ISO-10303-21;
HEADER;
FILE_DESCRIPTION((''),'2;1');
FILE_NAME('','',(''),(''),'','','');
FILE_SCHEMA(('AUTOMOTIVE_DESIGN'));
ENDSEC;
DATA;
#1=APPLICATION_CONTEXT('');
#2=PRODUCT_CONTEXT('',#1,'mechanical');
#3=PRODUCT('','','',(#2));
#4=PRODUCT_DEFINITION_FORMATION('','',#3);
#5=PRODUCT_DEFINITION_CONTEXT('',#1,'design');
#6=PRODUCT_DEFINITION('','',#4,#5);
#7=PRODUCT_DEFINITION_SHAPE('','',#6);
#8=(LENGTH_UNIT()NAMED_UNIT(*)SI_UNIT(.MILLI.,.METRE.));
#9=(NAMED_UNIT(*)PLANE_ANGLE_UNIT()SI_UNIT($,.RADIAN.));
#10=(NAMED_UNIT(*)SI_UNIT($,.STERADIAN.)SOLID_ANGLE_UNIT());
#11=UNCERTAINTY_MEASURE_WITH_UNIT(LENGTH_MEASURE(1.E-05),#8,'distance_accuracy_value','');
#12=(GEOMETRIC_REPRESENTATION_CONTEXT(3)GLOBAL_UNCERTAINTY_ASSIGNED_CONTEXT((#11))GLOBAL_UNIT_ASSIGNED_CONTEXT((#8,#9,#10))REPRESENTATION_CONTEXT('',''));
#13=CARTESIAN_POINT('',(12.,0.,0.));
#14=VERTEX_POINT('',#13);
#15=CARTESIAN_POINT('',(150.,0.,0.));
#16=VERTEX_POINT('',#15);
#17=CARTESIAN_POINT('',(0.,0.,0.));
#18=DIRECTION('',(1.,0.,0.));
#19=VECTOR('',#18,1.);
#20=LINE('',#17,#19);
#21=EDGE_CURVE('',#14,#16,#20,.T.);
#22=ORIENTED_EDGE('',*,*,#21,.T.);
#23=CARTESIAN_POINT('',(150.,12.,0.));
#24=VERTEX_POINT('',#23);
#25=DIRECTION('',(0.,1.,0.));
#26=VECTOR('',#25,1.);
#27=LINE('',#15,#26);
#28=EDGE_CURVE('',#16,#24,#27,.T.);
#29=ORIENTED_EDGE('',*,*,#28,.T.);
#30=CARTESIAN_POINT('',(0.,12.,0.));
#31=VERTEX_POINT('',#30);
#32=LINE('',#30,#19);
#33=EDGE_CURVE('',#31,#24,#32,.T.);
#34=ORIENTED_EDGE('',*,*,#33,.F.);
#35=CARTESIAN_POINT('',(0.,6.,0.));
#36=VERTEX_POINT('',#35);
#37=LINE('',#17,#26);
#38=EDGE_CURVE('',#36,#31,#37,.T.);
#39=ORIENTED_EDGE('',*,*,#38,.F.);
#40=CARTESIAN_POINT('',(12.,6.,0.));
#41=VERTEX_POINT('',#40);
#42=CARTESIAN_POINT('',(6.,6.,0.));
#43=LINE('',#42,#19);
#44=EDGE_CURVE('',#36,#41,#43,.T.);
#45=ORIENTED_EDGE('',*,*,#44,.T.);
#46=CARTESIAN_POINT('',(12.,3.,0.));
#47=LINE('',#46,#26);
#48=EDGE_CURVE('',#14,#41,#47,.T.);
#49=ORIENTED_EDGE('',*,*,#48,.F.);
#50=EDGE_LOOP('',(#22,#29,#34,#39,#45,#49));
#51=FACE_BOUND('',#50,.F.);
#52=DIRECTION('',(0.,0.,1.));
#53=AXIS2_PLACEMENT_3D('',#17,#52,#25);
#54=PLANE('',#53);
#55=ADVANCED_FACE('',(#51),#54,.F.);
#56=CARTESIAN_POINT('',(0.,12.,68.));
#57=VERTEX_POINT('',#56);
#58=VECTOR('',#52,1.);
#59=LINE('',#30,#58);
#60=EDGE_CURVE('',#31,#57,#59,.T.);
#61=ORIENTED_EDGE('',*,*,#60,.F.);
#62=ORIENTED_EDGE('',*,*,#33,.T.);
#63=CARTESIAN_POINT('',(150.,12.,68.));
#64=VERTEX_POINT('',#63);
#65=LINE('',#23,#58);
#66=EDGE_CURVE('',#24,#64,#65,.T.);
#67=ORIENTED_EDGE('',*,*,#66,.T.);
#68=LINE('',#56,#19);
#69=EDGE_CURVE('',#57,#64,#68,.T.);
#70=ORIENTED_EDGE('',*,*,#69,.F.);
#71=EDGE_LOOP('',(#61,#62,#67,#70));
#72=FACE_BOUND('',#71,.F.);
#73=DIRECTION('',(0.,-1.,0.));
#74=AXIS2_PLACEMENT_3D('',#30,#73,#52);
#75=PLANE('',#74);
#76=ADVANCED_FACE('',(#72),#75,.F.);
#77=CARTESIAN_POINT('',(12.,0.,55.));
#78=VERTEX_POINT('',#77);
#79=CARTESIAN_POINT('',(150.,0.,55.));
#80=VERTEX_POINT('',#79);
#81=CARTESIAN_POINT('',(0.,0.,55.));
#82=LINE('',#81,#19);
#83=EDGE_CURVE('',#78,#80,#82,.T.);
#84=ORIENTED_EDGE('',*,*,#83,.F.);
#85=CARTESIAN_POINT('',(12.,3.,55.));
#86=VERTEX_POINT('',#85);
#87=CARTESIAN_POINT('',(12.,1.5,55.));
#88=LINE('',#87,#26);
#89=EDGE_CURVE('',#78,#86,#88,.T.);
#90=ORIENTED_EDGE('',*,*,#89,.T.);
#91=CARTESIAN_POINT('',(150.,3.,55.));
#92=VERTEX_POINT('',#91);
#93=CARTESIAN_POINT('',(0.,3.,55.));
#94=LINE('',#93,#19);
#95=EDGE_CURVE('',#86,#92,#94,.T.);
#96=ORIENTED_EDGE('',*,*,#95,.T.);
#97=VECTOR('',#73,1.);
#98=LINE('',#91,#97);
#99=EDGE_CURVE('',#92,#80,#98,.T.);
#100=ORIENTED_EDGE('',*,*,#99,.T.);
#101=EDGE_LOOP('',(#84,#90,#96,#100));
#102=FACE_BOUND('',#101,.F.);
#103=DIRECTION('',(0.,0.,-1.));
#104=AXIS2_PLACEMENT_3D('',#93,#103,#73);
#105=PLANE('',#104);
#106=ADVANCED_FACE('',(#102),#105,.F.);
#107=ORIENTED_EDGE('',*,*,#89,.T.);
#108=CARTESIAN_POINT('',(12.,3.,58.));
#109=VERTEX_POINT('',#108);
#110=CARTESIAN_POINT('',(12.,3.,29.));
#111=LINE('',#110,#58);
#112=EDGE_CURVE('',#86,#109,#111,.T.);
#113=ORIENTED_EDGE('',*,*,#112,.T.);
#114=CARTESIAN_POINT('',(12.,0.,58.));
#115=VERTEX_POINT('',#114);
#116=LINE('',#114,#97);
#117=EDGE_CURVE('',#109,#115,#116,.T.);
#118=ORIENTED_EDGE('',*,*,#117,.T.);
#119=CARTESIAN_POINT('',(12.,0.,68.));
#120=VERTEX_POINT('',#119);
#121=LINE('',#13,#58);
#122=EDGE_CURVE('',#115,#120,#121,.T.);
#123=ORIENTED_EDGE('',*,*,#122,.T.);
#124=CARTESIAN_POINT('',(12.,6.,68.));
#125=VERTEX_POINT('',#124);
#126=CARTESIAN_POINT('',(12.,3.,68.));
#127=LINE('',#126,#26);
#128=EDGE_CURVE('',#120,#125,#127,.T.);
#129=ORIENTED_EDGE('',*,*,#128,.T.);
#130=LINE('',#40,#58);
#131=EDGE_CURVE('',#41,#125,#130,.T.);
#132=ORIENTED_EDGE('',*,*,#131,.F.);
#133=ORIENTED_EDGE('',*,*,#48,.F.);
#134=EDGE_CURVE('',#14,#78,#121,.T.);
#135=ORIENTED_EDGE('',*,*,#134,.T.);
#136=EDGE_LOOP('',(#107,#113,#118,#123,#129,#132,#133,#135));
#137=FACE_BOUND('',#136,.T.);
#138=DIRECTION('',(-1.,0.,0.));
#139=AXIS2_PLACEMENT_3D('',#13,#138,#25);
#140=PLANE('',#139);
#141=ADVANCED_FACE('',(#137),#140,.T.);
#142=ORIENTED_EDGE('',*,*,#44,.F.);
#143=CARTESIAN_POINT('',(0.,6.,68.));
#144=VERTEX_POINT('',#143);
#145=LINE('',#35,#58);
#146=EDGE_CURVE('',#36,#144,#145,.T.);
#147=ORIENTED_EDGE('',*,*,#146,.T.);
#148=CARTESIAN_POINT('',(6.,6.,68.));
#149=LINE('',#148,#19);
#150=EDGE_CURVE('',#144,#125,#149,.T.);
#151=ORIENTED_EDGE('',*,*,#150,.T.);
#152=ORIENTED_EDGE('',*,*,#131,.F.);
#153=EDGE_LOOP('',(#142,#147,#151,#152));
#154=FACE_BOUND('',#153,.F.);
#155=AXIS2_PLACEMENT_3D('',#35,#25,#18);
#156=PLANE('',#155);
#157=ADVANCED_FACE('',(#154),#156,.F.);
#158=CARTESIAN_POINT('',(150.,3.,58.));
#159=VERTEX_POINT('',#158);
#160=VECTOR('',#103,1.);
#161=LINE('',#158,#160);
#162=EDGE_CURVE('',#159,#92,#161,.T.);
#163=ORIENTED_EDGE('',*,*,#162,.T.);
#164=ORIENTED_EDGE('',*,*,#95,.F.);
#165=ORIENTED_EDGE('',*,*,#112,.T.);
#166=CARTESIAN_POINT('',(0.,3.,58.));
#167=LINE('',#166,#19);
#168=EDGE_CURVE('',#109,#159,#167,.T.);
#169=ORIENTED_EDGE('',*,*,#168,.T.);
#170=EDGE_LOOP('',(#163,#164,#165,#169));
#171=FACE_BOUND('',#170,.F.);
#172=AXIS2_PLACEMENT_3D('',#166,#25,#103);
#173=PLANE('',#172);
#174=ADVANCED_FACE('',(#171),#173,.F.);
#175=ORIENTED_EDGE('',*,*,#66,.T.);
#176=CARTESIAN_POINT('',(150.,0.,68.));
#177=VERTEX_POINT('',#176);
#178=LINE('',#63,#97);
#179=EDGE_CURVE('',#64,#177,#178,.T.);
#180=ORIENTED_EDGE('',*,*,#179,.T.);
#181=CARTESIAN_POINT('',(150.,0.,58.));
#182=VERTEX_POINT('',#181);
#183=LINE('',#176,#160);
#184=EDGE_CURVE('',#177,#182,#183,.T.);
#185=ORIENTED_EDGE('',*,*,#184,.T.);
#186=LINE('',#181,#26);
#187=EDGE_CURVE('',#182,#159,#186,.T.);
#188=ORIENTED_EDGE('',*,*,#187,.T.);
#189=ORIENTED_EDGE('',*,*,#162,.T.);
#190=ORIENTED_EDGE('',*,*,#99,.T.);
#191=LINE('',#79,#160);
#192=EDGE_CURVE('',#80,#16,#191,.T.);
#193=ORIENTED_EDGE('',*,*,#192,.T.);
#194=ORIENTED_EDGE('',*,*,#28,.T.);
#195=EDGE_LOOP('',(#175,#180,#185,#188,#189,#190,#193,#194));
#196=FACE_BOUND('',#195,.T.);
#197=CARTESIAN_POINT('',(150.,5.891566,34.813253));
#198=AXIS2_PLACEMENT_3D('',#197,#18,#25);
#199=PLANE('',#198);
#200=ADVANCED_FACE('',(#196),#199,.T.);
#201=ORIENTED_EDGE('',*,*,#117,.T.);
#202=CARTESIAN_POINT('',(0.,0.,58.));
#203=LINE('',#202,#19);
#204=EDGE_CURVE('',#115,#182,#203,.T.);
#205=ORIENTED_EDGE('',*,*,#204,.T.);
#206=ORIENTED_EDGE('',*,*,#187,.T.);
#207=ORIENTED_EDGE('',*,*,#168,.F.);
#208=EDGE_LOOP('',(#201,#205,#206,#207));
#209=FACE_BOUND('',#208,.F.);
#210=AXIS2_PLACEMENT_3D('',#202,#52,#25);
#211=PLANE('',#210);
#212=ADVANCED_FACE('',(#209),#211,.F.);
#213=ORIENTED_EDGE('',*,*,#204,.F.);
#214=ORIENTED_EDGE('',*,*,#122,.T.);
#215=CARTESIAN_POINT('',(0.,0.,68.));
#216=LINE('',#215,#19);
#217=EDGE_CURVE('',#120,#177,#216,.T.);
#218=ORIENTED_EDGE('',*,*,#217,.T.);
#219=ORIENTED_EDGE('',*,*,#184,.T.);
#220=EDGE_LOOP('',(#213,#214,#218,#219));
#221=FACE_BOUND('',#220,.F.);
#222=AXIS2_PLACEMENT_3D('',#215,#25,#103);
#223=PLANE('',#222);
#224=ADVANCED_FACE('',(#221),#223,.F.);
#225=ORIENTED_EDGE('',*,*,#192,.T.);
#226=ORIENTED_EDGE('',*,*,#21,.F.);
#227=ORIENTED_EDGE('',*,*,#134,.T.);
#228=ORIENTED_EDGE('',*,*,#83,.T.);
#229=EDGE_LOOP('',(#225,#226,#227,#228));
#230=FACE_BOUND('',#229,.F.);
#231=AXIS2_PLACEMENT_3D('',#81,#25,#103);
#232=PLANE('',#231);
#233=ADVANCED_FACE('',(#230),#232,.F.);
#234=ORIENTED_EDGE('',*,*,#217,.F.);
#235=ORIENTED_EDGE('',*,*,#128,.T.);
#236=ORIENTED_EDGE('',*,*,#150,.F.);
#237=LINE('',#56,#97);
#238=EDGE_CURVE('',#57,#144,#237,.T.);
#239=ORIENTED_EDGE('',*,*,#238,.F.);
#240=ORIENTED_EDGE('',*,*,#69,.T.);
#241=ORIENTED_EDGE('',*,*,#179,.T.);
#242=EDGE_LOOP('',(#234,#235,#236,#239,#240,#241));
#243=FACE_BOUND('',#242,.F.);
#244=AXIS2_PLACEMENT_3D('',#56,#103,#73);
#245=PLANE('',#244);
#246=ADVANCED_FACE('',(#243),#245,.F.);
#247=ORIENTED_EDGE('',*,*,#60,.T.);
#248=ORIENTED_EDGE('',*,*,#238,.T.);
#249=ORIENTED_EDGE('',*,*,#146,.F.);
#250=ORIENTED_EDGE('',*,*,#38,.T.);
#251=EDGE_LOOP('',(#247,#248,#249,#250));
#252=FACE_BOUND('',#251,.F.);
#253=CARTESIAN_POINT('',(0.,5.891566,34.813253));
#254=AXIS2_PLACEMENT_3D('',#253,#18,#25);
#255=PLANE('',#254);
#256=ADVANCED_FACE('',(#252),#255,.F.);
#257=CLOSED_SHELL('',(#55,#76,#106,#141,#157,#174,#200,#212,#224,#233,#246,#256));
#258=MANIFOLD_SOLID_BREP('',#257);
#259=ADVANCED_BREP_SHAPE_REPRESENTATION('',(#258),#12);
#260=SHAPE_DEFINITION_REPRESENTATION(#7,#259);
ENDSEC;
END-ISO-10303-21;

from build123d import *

# Parameters (mm, degrees)
F1_DEPTH = 150
F2_W     = 12
F2_H     = 6
F3_DEPTH = 68


with BuildPart() as f1:
    # F0 (on Right) → F1 (new body)
    with BuildSketch(Plane.YZ):
        Polygon((0, 55), (0, 0), (12, 0), (12, 68), (0, 68), (0, 58), (3, 58), (3, 55), align=None)
    extrude(amount=F1_DEPTH)

    # F2 (on Top) → F3 (cut)
    with BuildSketch(Plane.XY):
        with Locations((6, 3)):
            Rectangle(F2_W, F2_H)
    extrude(amount=F3_DEPTH, mode=Mode.SUBTRACT)


solid = f1.part
